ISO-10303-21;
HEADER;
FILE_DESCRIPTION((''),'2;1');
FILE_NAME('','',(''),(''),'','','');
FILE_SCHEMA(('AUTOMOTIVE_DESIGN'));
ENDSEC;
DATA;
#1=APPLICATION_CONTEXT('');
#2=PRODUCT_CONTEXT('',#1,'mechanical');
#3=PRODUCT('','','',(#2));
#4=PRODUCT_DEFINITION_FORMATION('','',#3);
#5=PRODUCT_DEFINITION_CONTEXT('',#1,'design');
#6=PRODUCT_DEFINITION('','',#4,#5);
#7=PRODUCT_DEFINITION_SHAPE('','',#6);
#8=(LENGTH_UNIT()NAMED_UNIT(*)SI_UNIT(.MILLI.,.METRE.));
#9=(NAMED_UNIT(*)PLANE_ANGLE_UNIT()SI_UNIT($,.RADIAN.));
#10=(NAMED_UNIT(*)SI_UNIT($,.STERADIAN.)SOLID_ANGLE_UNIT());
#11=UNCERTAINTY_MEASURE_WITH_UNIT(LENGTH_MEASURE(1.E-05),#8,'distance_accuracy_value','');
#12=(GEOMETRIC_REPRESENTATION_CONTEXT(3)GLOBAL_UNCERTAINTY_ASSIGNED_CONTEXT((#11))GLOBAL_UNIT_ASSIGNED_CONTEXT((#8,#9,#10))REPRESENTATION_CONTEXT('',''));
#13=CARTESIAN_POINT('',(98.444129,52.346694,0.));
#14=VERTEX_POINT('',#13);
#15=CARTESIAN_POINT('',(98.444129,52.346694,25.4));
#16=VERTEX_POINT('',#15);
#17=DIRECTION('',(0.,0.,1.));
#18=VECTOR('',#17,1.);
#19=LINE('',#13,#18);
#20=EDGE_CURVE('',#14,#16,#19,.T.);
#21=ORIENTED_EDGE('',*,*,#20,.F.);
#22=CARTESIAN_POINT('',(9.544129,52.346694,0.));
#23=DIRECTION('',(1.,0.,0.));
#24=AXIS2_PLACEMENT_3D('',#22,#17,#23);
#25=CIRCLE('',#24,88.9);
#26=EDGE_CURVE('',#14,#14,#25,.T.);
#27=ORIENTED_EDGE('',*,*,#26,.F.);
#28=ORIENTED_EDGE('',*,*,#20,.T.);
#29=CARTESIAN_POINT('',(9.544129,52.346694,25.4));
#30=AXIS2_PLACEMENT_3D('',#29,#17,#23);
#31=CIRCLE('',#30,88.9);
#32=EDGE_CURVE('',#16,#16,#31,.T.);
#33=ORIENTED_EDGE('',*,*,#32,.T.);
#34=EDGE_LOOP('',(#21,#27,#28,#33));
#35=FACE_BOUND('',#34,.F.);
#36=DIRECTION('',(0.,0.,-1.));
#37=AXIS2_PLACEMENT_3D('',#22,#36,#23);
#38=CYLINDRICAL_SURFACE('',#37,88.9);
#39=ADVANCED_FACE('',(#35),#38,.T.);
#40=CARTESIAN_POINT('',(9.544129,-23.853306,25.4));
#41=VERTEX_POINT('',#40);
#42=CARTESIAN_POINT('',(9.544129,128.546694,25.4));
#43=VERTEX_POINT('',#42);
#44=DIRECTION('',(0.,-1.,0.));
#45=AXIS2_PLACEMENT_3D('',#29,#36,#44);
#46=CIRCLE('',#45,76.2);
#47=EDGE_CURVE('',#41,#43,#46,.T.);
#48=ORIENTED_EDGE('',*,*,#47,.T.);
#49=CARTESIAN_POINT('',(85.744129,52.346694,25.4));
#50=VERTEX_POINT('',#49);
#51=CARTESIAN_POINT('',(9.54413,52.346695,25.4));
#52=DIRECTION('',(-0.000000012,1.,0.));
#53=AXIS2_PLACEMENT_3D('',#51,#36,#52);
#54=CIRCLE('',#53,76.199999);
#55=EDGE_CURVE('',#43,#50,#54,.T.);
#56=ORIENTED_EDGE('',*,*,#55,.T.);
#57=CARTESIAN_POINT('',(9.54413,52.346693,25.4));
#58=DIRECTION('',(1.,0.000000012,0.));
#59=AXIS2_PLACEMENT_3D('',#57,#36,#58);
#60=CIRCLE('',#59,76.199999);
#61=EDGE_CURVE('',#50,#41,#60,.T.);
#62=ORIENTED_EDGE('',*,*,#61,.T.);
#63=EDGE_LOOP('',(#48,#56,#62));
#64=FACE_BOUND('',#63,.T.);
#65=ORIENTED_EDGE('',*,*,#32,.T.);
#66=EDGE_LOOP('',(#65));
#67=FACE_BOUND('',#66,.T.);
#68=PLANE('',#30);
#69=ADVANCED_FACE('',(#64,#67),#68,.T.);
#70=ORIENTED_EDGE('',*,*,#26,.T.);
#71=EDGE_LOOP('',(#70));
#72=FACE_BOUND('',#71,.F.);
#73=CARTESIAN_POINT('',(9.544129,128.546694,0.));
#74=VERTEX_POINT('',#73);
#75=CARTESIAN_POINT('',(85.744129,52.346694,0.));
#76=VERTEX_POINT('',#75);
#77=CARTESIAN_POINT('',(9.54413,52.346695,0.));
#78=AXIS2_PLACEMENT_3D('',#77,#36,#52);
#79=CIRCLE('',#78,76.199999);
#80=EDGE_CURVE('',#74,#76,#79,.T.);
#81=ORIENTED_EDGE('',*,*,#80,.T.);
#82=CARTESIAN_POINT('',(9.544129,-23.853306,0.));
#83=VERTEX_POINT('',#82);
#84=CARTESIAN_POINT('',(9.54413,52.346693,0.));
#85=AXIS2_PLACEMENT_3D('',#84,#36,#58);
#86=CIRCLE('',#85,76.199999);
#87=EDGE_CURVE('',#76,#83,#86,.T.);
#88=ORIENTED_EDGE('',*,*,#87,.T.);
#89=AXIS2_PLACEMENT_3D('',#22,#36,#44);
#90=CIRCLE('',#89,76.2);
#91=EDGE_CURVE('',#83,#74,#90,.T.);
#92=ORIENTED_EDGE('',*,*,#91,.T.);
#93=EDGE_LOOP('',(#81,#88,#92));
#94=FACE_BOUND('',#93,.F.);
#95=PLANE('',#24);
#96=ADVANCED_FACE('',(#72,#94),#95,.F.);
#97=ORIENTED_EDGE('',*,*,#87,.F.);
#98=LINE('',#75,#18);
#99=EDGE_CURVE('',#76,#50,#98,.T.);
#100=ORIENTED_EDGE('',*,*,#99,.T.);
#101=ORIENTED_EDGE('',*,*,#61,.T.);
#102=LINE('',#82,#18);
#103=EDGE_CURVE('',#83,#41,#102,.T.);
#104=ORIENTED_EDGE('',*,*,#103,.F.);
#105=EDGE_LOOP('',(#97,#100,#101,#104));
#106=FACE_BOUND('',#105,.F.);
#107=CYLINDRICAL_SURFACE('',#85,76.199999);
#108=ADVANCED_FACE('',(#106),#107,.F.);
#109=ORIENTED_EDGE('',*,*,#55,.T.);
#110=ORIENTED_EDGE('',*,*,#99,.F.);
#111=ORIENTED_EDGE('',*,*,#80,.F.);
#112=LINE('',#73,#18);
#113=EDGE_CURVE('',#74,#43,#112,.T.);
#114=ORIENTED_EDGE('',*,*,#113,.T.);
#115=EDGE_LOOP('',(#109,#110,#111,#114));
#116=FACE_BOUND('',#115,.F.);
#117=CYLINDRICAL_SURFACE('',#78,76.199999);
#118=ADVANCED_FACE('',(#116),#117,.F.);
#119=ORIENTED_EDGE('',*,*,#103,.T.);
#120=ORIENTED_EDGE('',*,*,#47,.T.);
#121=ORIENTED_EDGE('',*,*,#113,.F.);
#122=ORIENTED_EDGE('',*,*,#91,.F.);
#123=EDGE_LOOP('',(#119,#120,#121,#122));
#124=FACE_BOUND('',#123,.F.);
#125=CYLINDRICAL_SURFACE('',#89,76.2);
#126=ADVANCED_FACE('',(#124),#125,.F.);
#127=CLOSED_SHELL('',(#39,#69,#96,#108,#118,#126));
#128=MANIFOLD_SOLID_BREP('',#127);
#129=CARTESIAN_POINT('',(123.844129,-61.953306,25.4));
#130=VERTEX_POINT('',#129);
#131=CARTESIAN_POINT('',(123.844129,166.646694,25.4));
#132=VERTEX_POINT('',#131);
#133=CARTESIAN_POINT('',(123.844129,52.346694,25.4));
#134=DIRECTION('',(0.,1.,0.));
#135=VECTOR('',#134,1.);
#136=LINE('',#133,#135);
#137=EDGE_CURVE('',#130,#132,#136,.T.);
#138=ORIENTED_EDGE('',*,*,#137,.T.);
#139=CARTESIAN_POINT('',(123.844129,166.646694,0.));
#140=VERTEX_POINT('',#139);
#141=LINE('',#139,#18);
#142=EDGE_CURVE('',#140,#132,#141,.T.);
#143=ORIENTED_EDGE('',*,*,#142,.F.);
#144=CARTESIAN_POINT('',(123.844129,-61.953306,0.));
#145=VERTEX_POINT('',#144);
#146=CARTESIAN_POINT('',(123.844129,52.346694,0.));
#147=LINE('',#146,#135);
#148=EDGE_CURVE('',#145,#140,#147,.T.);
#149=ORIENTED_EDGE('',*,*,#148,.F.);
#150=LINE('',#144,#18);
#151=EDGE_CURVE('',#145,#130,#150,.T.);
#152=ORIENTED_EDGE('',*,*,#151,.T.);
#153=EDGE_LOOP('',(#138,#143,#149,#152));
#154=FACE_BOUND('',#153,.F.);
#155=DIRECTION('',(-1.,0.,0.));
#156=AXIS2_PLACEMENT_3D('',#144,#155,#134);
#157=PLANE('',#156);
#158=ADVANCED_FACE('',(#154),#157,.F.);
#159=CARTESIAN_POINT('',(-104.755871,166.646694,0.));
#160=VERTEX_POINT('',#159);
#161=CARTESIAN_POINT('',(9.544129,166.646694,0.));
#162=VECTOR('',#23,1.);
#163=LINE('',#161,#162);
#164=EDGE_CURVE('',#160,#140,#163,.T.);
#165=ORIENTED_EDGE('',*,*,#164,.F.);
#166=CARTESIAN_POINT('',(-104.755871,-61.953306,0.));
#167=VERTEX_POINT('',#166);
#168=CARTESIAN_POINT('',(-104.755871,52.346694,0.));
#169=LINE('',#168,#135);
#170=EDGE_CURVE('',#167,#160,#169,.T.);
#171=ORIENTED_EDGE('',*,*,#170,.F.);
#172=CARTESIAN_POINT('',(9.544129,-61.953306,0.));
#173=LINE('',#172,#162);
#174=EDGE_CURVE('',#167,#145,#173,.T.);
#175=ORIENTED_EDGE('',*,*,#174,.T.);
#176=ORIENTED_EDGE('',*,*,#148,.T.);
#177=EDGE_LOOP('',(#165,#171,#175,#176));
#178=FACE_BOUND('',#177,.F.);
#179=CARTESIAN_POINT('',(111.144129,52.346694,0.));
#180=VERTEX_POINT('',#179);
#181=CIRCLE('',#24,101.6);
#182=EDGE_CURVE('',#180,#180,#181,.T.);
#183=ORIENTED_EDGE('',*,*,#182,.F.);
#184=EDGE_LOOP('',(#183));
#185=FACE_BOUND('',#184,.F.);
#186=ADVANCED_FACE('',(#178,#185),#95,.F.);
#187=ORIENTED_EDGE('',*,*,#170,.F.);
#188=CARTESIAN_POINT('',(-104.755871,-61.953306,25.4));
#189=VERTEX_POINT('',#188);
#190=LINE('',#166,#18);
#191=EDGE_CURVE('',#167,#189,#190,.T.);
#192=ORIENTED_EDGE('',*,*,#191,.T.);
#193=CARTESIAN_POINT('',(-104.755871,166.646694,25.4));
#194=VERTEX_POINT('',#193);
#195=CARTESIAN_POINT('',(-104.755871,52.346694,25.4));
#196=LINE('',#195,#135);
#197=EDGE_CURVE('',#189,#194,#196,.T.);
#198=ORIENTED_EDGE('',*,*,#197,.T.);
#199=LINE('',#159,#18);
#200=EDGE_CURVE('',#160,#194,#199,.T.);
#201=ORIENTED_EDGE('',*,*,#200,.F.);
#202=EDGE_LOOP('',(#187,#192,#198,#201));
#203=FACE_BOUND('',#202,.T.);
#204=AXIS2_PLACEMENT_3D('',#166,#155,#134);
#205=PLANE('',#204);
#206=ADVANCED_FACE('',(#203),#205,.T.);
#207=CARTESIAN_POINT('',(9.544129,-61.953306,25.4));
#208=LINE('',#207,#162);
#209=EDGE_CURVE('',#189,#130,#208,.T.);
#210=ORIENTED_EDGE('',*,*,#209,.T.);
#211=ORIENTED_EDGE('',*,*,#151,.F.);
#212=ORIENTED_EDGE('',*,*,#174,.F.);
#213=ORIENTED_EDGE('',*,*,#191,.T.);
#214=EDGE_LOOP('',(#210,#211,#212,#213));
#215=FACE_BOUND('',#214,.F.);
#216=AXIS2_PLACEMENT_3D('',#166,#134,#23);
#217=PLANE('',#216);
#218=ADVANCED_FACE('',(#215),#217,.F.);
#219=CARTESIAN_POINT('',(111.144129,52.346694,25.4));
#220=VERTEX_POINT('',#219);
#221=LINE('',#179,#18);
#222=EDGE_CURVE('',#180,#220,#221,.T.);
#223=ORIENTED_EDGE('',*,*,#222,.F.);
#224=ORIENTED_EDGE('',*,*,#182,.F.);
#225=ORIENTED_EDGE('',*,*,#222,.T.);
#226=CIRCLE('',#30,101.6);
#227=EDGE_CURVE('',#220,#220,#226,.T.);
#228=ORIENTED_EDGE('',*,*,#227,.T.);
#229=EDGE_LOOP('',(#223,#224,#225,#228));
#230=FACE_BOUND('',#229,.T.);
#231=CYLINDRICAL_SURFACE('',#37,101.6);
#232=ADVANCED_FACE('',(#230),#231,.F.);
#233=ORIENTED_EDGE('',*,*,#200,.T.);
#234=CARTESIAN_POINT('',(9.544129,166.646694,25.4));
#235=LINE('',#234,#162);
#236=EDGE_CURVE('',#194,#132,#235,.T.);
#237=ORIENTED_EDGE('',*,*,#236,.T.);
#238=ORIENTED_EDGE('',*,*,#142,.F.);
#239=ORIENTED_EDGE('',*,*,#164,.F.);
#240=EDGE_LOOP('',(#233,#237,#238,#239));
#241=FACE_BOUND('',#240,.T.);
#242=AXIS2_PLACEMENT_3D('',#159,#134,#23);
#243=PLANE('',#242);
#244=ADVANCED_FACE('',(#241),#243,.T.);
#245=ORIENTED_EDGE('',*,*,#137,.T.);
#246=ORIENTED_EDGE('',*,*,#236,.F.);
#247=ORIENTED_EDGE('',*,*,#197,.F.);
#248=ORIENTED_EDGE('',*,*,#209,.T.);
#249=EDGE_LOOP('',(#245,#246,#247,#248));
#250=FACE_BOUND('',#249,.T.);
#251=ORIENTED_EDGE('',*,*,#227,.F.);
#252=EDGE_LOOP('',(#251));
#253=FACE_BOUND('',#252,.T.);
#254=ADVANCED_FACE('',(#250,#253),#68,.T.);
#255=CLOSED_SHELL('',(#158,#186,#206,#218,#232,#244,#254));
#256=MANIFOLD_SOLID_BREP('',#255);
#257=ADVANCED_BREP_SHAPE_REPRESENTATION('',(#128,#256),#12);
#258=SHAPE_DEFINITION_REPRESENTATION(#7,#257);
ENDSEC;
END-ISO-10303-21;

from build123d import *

# Parameters (mm, degrees)
F0_W     = 228.6
F0_H     = 228.6
F0_R     = 101.6
F0_R_2   = 88.9
F1_DEPTH = 25.4


with BuildPart() as f1:
    # F0 (on Top) → F1 (new body)
    with BuildSketch(Plane.XY):
        with Locations((9.544129, 52.346694)):
            Rectangle(F0_W, F0_H)
        with Locations((9.544129, 52.346694)):
            Circle(F0_R, mode=Mode.SUBTRACT)
        with Locations((9.544129, 52.346694)):
            Circle(F0_R_2)
        with BuildLine():
            ThreePointArc((9.544129, 128.546694), (63.425666, 106.228231), (85.744129, 52.346694))
            ThreePointArc((85.744129, 52.346694), (63.425666, -1.534843), (9.544129, -23.853306))
            ThreePointArc((9.544129, -23.853306), (-66.655871, 52.346694), (9.544129, 128.546694))
        make_face(mode=Mode.SUBTRACT)
    extrude(amount=F1_DEPTH)


solid = f1.part
